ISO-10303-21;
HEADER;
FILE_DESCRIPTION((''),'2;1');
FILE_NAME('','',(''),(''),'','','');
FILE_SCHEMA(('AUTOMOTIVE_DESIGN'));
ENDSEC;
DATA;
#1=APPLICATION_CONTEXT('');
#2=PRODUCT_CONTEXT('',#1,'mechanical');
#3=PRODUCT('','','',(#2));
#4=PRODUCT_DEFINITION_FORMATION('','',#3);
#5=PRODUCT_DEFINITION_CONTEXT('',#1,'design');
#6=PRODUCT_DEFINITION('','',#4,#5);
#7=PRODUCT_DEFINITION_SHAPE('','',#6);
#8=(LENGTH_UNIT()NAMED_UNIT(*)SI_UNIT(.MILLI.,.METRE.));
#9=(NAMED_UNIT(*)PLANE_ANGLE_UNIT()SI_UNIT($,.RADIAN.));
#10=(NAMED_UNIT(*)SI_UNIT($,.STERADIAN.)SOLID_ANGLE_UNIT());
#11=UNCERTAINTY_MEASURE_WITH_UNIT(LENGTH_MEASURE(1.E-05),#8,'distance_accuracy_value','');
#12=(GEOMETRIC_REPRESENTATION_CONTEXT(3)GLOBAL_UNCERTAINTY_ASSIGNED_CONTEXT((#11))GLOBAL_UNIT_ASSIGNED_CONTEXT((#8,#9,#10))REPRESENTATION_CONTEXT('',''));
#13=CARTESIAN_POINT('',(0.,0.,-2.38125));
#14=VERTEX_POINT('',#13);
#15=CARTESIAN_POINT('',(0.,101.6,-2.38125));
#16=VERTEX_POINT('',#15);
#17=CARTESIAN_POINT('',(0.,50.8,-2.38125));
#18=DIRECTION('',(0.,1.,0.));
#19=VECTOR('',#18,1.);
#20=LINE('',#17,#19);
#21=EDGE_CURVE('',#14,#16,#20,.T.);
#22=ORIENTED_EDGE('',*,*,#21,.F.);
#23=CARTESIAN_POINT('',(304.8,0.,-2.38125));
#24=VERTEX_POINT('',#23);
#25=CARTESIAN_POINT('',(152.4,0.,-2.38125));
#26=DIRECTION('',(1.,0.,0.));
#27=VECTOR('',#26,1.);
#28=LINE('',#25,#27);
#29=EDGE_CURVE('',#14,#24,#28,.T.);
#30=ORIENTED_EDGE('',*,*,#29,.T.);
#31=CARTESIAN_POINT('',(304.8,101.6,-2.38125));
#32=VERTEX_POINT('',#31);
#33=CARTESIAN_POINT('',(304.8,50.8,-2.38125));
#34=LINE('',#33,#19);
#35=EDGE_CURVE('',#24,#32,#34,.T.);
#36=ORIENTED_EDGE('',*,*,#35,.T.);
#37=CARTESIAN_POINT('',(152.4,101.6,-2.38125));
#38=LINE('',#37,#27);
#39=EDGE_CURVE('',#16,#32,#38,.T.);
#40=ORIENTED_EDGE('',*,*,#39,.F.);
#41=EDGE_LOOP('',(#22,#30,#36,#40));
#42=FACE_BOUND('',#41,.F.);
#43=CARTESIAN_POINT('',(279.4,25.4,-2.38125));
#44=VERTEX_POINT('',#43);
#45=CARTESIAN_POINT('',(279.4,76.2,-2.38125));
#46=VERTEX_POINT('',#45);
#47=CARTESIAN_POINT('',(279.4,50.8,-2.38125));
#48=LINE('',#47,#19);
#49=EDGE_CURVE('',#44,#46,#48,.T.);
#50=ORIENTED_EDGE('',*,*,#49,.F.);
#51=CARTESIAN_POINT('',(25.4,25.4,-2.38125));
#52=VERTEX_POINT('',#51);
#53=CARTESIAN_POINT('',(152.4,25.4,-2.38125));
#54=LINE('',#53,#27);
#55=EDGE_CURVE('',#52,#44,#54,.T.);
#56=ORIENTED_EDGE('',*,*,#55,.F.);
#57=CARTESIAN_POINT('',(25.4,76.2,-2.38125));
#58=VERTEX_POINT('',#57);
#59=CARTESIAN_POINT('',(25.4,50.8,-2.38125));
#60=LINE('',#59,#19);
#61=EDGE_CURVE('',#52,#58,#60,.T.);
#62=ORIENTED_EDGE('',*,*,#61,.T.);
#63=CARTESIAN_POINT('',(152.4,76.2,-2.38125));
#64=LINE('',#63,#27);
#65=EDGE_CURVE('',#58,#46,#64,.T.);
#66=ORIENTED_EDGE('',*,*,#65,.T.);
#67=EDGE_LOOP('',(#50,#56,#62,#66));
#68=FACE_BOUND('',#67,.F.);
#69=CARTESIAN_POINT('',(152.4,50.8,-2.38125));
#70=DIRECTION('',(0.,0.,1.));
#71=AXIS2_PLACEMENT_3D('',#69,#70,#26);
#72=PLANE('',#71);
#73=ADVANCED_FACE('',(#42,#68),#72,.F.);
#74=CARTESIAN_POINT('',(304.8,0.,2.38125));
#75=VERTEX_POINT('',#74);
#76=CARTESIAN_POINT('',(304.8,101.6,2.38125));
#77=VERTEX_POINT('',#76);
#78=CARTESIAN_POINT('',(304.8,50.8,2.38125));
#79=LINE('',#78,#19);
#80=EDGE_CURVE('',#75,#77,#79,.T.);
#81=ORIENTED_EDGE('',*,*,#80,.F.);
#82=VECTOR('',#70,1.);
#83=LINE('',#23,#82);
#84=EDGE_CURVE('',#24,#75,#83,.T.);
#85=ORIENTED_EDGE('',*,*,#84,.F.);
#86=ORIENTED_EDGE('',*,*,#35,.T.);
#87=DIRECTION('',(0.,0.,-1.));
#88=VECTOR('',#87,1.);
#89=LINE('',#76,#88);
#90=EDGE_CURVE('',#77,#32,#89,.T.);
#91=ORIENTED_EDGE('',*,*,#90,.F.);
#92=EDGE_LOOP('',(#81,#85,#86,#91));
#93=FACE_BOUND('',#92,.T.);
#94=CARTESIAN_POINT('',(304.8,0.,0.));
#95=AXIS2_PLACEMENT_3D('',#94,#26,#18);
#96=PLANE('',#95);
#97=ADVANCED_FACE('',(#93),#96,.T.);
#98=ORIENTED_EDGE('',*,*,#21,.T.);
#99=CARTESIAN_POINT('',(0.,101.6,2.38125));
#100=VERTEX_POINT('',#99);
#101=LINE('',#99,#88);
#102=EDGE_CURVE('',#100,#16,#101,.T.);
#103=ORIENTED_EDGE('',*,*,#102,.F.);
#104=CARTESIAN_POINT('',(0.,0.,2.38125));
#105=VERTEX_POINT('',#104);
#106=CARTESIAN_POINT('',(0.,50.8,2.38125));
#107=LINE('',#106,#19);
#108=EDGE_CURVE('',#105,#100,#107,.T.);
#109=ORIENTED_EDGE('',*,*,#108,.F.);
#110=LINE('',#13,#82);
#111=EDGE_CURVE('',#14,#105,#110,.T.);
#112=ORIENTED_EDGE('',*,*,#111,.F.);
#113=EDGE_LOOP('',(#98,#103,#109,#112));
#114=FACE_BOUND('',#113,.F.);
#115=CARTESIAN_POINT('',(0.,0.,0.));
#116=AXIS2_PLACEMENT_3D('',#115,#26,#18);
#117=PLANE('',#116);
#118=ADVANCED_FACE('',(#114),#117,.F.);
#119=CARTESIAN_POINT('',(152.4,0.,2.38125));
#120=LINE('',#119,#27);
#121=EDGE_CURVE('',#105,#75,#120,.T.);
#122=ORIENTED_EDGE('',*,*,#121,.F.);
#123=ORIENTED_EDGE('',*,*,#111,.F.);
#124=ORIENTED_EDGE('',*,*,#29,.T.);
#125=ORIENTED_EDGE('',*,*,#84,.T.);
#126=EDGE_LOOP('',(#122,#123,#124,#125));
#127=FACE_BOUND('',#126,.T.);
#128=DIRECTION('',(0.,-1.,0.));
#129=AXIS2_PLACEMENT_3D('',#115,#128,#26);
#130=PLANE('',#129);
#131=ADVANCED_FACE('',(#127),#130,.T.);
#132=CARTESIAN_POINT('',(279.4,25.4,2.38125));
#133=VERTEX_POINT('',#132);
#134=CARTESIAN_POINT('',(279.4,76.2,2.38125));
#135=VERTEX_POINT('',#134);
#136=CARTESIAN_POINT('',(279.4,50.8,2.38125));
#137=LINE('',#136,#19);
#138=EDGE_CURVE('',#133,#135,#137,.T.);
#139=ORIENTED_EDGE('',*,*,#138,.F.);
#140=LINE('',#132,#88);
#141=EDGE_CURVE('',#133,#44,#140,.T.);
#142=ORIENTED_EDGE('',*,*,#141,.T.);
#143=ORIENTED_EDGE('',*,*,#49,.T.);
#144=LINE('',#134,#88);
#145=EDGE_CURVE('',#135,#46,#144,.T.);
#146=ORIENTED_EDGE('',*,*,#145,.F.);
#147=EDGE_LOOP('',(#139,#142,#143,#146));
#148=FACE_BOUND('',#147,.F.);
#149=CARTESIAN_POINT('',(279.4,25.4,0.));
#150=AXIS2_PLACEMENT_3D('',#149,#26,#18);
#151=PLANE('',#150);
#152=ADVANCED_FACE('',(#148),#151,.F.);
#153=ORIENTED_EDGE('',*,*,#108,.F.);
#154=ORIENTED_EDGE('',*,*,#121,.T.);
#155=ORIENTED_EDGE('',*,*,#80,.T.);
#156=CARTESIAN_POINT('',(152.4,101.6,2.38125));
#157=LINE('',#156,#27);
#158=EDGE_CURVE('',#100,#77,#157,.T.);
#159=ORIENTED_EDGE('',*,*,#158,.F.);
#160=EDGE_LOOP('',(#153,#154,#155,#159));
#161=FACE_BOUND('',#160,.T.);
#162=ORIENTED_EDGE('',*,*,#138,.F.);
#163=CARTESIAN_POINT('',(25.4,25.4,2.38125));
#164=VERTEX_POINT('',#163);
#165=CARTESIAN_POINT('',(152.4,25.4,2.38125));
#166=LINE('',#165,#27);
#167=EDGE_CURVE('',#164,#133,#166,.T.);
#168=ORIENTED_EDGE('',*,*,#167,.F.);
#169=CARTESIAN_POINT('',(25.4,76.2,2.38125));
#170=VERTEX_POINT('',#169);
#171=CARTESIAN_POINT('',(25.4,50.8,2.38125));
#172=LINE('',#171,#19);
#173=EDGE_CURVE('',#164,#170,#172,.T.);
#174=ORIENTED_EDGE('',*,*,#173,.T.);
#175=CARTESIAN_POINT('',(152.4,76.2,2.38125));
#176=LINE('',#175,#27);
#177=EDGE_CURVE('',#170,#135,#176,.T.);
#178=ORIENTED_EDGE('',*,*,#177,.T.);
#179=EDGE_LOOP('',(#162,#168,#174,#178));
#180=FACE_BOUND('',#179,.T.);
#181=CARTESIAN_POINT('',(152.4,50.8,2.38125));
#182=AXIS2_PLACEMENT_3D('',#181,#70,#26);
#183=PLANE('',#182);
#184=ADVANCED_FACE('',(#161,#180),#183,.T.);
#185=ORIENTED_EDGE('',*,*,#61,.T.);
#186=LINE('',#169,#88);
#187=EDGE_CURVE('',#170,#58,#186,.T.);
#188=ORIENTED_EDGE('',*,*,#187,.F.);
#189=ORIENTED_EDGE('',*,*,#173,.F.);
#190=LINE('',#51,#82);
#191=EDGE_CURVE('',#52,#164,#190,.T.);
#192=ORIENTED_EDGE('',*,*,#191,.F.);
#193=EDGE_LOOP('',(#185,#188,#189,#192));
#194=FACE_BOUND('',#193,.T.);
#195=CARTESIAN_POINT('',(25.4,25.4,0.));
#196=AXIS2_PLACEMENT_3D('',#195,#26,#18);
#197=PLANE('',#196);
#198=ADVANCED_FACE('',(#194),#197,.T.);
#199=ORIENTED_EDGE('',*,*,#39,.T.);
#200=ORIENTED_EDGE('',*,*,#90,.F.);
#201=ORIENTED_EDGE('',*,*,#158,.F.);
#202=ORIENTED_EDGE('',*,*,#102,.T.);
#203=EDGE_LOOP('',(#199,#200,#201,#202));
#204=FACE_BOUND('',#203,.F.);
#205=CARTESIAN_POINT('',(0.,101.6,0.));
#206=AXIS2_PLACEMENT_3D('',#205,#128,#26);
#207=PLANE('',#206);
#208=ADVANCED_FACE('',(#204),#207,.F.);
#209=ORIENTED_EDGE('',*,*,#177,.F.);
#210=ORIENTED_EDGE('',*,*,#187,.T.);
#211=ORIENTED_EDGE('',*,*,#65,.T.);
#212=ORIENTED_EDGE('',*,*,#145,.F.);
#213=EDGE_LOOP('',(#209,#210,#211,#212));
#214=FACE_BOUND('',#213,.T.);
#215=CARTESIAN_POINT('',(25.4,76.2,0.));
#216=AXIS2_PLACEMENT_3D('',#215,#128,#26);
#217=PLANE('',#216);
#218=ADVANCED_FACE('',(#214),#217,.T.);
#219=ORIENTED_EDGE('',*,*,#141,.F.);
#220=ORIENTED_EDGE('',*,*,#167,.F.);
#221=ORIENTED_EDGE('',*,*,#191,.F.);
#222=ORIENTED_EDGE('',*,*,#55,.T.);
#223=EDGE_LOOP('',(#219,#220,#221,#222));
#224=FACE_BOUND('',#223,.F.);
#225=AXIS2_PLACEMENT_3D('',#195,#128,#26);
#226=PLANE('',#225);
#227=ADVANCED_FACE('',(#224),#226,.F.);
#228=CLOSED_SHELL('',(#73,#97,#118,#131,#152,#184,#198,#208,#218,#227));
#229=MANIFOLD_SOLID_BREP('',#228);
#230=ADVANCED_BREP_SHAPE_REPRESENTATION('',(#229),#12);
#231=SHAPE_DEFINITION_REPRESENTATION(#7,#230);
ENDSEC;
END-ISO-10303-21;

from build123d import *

# Parameters (mm, degrees)
F0_W     = 304.8
F0_H     = 101.6
F0_W_2   = 254
F0_H_2   = 50.8
F1_DEPTH = 2.38125


with BuildPart() as f1:
    # F0 (on Top) → F1 (new body, symmetric)
    with BuildSketch(Plane.XY):
        with Locations((152.4, 50.8)):
            Rectangle(F0_W, F0_H)
        with Locations((152.4, 50.8)):
            Rectangle(F0_W_2, F0_H_2, mode=Mode.SUBTRACT)
    extrude(amount=F1_DEPTH, both=True)


solid = f1.part
